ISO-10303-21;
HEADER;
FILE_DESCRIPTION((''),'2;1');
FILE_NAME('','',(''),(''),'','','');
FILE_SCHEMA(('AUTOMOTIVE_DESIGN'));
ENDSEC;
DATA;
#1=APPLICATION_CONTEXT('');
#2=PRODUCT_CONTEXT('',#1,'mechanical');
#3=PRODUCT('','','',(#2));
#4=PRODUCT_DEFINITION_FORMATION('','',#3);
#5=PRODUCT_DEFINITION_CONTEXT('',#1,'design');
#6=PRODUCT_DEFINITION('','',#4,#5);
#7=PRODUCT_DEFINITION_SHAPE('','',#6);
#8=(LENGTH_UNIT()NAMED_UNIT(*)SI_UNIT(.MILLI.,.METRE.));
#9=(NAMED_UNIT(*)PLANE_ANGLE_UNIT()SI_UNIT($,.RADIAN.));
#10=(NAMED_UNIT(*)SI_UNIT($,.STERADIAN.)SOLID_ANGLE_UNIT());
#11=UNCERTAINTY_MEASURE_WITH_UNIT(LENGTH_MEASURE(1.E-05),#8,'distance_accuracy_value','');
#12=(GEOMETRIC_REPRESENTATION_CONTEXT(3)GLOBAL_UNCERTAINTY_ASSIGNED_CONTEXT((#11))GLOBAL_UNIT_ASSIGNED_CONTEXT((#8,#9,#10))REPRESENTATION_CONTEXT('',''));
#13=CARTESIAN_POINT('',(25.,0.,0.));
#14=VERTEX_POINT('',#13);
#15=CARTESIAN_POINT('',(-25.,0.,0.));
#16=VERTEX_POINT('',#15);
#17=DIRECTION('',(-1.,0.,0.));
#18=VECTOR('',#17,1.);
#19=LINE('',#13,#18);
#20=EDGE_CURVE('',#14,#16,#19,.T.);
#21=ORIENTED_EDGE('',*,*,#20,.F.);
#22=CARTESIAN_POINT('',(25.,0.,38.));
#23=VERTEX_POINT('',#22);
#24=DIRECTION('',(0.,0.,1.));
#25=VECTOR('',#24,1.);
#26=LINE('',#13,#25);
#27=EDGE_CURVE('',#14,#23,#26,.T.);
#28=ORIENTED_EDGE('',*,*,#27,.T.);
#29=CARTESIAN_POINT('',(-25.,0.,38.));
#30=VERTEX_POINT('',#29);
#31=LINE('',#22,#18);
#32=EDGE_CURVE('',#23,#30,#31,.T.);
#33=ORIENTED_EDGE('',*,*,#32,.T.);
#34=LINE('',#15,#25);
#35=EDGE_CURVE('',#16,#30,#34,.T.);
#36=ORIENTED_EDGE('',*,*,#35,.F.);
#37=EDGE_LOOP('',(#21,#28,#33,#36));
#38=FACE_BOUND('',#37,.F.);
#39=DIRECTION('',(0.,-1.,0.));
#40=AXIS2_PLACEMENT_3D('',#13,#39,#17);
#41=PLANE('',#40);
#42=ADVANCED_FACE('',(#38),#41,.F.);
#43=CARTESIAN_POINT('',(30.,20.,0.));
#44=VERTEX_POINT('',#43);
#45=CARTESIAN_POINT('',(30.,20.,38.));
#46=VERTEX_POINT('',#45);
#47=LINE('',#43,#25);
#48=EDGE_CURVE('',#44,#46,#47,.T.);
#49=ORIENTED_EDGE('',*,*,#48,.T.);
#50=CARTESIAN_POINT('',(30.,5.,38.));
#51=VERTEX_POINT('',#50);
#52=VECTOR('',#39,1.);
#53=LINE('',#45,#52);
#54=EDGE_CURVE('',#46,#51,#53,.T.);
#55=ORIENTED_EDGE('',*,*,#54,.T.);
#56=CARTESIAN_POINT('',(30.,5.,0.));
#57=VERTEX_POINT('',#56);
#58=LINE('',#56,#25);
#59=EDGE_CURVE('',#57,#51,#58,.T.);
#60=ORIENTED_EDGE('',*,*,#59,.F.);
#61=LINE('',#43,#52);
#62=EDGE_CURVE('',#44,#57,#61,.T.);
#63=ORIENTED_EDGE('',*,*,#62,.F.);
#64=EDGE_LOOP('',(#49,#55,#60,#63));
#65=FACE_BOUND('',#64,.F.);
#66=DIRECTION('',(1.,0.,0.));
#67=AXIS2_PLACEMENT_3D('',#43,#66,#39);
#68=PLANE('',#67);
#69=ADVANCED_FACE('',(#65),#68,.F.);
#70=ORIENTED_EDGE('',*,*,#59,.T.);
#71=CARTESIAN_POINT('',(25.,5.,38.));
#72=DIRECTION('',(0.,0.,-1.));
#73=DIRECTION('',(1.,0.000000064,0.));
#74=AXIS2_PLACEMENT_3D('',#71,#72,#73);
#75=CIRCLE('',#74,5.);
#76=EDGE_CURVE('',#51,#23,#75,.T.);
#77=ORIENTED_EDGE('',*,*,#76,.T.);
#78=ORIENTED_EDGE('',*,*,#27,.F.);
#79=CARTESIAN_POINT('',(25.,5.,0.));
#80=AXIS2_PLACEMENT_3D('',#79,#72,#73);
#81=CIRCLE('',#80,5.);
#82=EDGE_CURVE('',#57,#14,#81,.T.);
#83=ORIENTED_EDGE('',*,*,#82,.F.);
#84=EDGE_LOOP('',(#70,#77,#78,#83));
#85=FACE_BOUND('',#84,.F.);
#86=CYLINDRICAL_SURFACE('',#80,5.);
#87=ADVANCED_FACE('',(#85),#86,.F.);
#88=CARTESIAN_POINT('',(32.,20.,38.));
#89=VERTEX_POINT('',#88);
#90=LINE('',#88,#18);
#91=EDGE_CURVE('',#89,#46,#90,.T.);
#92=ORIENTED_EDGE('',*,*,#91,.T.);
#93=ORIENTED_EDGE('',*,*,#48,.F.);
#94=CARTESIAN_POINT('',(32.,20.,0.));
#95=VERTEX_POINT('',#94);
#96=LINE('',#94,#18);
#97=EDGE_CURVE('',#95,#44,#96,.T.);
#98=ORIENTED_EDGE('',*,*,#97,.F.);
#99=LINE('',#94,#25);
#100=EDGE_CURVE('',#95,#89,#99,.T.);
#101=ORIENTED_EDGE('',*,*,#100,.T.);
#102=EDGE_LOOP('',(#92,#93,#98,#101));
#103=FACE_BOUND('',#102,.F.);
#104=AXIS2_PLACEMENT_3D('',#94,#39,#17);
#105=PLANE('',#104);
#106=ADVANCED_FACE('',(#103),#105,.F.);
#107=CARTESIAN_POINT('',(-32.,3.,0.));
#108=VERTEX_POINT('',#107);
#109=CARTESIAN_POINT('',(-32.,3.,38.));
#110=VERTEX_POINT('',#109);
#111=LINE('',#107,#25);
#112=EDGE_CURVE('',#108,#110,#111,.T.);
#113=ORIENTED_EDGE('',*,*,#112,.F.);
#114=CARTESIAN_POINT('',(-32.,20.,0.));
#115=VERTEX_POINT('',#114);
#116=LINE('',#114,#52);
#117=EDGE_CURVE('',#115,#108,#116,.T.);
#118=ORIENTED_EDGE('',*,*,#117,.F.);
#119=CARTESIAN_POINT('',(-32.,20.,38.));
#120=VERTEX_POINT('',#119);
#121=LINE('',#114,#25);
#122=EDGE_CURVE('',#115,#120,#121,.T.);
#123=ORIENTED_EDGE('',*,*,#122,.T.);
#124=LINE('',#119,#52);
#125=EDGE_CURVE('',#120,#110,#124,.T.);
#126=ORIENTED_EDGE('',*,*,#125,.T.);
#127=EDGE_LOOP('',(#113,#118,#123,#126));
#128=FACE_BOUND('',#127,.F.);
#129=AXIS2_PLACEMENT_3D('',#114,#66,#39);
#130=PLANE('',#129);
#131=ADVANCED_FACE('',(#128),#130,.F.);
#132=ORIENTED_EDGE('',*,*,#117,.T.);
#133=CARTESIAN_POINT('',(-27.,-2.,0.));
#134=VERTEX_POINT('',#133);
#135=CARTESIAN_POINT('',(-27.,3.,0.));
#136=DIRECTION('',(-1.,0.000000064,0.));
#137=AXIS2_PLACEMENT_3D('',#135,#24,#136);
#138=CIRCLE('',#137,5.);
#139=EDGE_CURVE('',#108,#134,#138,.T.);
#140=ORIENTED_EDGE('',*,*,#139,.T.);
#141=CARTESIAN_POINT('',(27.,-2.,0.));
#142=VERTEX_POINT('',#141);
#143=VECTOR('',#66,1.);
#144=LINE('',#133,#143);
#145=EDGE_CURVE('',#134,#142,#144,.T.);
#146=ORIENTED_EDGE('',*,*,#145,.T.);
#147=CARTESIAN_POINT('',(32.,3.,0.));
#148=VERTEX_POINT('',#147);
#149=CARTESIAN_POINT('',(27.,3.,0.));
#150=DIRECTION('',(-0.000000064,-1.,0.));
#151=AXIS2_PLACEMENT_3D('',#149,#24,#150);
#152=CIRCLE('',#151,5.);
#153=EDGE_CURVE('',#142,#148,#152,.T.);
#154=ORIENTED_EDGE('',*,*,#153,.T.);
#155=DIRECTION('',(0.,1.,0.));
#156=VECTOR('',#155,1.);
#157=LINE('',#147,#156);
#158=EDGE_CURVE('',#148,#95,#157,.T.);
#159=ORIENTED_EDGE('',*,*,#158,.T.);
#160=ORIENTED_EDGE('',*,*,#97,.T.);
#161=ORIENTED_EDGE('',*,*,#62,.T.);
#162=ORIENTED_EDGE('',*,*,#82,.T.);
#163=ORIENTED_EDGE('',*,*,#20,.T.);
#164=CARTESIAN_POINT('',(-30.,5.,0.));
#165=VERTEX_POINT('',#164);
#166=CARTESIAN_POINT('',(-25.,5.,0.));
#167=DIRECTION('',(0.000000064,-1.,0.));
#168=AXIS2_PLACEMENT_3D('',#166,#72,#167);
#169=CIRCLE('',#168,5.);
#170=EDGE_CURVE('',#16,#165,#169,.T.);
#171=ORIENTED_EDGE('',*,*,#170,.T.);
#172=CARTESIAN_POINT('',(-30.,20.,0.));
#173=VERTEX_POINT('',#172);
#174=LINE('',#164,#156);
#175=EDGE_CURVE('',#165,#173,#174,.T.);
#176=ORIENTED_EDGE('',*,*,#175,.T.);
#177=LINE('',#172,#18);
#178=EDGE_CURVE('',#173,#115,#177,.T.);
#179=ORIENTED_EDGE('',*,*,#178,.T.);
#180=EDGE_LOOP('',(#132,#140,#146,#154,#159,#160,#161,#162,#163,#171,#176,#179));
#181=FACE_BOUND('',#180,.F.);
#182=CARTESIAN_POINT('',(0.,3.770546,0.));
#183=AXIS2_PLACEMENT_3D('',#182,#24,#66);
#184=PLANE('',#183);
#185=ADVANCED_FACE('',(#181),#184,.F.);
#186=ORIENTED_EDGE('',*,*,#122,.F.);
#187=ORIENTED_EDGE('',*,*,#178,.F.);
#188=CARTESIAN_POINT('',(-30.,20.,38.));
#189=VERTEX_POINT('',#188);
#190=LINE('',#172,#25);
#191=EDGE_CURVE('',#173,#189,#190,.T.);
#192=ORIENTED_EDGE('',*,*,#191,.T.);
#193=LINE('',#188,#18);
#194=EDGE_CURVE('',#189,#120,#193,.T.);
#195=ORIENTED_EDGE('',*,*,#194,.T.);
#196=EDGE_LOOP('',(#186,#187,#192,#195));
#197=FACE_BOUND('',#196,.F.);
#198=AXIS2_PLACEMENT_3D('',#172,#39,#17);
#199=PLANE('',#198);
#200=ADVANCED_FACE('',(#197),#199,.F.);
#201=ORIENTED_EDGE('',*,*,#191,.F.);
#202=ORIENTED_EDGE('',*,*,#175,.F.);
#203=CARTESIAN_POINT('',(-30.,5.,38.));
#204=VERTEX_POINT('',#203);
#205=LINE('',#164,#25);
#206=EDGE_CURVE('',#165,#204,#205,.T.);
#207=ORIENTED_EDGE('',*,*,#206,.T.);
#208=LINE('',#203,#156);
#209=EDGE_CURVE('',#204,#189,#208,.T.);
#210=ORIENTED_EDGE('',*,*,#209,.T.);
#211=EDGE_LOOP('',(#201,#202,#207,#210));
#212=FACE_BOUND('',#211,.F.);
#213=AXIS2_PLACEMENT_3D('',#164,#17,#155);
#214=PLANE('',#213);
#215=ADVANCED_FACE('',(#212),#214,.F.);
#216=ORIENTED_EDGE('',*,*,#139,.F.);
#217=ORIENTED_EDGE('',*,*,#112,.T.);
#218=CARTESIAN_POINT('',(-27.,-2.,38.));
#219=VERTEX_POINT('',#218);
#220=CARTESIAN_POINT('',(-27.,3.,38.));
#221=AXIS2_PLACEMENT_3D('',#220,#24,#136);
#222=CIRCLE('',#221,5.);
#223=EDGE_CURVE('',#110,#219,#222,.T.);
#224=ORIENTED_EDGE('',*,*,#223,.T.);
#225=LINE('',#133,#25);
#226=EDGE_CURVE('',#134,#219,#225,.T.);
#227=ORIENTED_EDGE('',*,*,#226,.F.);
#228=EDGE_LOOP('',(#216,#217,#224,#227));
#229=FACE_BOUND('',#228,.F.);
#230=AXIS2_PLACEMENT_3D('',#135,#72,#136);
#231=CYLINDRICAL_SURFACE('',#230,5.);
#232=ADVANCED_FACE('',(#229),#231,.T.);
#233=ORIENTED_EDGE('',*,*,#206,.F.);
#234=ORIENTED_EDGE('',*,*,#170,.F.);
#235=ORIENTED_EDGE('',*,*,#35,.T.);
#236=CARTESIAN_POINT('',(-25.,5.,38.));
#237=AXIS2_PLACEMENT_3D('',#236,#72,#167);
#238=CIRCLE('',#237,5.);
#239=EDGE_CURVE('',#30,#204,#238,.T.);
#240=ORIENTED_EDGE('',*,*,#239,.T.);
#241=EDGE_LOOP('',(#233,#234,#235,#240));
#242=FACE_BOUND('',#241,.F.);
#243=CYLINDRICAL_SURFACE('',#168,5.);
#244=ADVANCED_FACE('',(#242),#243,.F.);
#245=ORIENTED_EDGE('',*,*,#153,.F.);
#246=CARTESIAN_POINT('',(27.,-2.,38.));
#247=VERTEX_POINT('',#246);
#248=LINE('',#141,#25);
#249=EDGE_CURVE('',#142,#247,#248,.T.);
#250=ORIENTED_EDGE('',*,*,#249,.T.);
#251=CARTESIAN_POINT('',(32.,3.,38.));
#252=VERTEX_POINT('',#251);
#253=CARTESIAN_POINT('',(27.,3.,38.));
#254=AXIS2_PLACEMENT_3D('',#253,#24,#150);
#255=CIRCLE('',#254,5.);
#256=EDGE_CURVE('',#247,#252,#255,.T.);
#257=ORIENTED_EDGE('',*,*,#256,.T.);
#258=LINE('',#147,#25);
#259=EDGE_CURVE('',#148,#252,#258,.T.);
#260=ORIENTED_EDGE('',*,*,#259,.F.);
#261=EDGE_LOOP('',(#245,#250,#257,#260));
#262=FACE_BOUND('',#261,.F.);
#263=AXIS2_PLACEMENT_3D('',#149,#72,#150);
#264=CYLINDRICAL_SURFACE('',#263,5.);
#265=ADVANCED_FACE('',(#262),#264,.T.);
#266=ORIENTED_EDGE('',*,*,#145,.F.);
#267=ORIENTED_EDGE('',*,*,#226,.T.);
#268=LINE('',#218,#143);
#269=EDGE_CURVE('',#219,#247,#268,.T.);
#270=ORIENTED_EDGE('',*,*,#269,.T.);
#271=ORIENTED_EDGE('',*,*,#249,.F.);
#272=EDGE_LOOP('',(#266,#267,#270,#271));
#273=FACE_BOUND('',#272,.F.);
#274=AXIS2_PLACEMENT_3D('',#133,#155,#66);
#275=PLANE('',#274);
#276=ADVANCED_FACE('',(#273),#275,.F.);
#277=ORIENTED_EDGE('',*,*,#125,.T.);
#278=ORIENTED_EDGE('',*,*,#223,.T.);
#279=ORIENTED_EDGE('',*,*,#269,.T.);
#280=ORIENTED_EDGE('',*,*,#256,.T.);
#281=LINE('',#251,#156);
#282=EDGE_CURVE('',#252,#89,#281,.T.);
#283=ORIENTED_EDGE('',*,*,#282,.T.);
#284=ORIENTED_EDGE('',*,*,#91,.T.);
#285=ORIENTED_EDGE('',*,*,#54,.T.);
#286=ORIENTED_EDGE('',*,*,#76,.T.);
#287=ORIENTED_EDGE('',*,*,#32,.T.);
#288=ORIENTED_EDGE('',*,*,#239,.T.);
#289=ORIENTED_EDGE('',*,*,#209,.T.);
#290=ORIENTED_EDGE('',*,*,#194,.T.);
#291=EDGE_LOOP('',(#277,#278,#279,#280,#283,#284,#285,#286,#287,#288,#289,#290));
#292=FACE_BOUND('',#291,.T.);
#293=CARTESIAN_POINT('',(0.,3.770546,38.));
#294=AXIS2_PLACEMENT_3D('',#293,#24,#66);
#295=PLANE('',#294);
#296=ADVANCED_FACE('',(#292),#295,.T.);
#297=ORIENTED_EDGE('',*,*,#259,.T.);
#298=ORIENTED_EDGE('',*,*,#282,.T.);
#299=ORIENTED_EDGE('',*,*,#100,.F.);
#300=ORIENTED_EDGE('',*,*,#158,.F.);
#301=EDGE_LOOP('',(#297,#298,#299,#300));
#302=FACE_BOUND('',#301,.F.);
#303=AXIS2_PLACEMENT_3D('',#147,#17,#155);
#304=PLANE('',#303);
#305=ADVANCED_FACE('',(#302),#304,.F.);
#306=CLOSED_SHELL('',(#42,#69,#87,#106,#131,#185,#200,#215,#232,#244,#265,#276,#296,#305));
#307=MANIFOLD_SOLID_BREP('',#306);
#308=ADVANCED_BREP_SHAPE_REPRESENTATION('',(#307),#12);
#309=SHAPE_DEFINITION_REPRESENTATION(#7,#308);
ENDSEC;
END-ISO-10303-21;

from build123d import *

# Parameters (mm, degrees)
F1_DEPTH = 38


with BuildPart() as f1:
    # F0 (on Top) → F1 (new body)
    with BuildSketch(Plane.XY):
        with BuildLine():
            Line((25, 0), (0, 0))
            Line((0, 0), (-25, 0))
            ThreePointArc((-25, 0), (-28.535534, 1.464466), (-30, 5))
            Line((-30, 5), (-30, 20))
            Line((-30, 20), (-32, 20))
            Line((-32, 20), (-32, 3))
            ThreePointArc((-32, 3), (-30.535534, -0.535534), (-27, -2))
            Line((-27, -2), (0, -2))
            Line((0, -2), (27, -2))
            ThreePointArc((27, -2), (30.535534, -0.535534), (32, 3))
            Line((32, 3), (32, 20))
            Line((32, 20), (30, 20))
            Line((30, 20), (30, 5))
            ThreePointArc((30, 5), (28.535534, 1.464466), (25, 0))
        make_face()
    extrude(amount=F1_DEPTH)


solid = f1.part
